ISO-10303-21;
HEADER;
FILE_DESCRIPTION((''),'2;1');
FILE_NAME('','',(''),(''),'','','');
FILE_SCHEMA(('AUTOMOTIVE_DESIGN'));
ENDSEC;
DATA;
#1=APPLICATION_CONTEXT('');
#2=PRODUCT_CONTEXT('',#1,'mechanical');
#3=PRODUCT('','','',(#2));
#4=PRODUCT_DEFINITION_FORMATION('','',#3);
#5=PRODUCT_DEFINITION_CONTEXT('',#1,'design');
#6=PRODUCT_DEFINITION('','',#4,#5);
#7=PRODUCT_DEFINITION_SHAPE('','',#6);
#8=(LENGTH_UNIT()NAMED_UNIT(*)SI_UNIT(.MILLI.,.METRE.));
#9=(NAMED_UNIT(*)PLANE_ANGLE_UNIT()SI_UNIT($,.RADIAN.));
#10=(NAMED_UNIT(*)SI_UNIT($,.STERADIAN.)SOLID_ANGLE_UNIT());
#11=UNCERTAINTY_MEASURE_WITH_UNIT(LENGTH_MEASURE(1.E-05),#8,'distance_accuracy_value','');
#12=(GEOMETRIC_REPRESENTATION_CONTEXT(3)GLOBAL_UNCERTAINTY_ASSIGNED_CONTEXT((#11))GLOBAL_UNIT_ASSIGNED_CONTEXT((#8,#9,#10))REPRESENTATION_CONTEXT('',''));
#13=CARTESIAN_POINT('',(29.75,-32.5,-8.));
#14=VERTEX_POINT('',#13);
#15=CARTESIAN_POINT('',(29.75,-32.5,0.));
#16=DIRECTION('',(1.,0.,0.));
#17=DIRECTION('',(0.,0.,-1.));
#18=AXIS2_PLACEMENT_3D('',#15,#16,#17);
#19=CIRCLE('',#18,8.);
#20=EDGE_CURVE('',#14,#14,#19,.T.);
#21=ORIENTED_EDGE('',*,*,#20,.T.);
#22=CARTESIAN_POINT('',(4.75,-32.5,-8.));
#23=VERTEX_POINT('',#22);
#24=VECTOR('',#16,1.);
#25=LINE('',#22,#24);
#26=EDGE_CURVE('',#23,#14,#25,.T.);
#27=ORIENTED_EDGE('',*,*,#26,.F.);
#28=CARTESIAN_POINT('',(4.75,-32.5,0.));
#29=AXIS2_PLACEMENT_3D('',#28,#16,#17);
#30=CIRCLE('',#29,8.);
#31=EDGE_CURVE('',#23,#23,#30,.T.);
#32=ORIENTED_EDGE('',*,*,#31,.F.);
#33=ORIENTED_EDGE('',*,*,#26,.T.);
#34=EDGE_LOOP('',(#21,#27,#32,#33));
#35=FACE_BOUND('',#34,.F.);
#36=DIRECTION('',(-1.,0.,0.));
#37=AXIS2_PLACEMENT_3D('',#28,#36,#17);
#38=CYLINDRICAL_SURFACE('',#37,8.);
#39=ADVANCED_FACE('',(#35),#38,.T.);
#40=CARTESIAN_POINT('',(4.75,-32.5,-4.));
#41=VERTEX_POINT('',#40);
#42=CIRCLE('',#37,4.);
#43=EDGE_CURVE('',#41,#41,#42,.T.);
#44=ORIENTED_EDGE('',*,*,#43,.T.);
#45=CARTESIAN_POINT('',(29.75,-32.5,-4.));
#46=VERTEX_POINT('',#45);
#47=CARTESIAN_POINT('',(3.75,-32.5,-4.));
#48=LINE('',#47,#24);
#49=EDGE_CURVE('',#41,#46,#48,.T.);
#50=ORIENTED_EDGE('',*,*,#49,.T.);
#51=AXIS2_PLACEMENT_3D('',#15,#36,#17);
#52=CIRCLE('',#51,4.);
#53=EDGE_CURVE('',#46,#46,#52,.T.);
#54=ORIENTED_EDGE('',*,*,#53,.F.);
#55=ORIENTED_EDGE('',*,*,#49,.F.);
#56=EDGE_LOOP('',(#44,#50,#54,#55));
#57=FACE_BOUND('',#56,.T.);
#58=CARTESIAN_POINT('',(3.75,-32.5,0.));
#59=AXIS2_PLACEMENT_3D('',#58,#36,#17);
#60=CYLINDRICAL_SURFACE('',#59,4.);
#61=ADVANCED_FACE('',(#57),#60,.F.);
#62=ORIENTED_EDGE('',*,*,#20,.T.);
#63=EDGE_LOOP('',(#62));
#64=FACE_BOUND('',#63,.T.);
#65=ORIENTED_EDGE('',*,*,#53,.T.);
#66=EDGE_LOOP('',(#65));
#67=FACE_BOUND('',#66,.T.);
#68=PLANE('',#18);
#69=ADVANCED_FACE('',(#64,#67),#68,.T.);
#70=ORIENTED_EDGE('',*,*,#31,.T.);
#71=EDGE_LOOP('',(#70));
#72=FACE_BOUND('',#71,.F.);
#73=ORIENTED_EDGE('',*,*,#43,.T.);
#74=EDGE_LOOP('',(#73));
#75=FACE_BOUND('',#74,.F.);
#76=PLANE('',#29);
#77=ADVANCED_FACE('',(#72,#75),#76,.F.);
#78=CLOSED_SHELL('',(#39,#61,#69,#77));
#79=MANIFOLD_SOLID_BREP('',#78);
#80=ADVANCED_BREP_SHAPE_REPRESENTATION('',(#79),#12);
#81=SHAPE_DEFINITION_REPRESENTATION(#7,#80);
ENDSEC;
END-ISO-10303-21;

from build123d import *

# Parameters (mm, degrees)
LM8UU_CEN_X_Y_INT_R           = 4
LM8UU_CEN_X_Y_INT_DEPTH       = 27
LM8UU_CEN_X_Y_INT_PITCH_ANGLE = 90
LM8UU_CEN_X_Y_EXT_R           = 8
LM8UU_CEN_X_Y_EXT_DEPTH       = 25
LM8UU_CEN_X_Y_EXT_PITCH_ANGLE = 90


with BuildPart() as lm8uu_cen_x_y_int:
    # lm8uu_cen_x_y_int → lm8uu_cen_x_y_int (new body)
    with BuildSketch(Plane.XY):
        Circle(LM8UU_CEN_X_Y_INT_R)
    extrude(amount=LM8UU_CEN_X_Y_INT_DEPTH)


with BuildPart() as lm8uu_cen_x_y_int_1:
    # lm8uu_cen_x_y_int pitch: moved
    add(lm8uu_cen_x_y_int.part.rotate(Axis((0, 0, 0), (0, 1, 0)), LM8UU_CEN_X_Y_INT_PITCH_ANGLE))


with BuildPart() as lm8uu_cen_x_y_int_2:
    # lm8uu_cen_x_y_int placement: moved
    add(lm8uu_cen_x_y_int_1.part.moved(Location((-13.5, 0, 0))))


with BuildPart() as lm8uu_cen_x_ny:
    # lm8uu_cen_x_y_ext → lm8uu_cen_x_y_ext (new body)
    with BuildSketch(Plane.XY):
        Circle(LM8UU_CEN_X_Y_EXT_R)
    extrude(amount=LM8UU_CEN_X_Y_EXT_DEPTH)


with BuildPart() as lm8uu_cen_x_ny_1:
    # lm8uu_cen_x_y_ext pitch: moved
    add(lm8uu_cen_x_ny.part.rotate(Axis((0, 0, 0), (0, 1, 0)), LM8UU_CEN_X_Y_EXT_PITCH_ANGLE))


with BuildPart() as lm8uu_cen_x_ny_2:
    # lm8uu_cen_x_y_ext placement: moved
    add(lm8uu_cen_x_ny_1.part.moved(Location((-12.5, 0, 0))))

    # lm8uu_cen_x_y: cut lm8uu_cen_x_y_int
    add(lm8uu_cen_x_y_int_2.part, mode=Mode.SUBTRACT)


with BuildPart() as lm8uu_cen_x_ny_3:
    # lm8uu_cen_x_y placement: moved
    add(lm8uu_cen_x_ny_2.part.moved(Location((17.25, 32.5, 0))))


with BuildPart() as lm8uu_cen_x_ny_4:
    # Clone029 placement: moved
    add(lm8uu_cen_x_ny_3.part.moved(Location((0, -65, 0))))


solid = lm8uu_cen_x_ny_4.part
